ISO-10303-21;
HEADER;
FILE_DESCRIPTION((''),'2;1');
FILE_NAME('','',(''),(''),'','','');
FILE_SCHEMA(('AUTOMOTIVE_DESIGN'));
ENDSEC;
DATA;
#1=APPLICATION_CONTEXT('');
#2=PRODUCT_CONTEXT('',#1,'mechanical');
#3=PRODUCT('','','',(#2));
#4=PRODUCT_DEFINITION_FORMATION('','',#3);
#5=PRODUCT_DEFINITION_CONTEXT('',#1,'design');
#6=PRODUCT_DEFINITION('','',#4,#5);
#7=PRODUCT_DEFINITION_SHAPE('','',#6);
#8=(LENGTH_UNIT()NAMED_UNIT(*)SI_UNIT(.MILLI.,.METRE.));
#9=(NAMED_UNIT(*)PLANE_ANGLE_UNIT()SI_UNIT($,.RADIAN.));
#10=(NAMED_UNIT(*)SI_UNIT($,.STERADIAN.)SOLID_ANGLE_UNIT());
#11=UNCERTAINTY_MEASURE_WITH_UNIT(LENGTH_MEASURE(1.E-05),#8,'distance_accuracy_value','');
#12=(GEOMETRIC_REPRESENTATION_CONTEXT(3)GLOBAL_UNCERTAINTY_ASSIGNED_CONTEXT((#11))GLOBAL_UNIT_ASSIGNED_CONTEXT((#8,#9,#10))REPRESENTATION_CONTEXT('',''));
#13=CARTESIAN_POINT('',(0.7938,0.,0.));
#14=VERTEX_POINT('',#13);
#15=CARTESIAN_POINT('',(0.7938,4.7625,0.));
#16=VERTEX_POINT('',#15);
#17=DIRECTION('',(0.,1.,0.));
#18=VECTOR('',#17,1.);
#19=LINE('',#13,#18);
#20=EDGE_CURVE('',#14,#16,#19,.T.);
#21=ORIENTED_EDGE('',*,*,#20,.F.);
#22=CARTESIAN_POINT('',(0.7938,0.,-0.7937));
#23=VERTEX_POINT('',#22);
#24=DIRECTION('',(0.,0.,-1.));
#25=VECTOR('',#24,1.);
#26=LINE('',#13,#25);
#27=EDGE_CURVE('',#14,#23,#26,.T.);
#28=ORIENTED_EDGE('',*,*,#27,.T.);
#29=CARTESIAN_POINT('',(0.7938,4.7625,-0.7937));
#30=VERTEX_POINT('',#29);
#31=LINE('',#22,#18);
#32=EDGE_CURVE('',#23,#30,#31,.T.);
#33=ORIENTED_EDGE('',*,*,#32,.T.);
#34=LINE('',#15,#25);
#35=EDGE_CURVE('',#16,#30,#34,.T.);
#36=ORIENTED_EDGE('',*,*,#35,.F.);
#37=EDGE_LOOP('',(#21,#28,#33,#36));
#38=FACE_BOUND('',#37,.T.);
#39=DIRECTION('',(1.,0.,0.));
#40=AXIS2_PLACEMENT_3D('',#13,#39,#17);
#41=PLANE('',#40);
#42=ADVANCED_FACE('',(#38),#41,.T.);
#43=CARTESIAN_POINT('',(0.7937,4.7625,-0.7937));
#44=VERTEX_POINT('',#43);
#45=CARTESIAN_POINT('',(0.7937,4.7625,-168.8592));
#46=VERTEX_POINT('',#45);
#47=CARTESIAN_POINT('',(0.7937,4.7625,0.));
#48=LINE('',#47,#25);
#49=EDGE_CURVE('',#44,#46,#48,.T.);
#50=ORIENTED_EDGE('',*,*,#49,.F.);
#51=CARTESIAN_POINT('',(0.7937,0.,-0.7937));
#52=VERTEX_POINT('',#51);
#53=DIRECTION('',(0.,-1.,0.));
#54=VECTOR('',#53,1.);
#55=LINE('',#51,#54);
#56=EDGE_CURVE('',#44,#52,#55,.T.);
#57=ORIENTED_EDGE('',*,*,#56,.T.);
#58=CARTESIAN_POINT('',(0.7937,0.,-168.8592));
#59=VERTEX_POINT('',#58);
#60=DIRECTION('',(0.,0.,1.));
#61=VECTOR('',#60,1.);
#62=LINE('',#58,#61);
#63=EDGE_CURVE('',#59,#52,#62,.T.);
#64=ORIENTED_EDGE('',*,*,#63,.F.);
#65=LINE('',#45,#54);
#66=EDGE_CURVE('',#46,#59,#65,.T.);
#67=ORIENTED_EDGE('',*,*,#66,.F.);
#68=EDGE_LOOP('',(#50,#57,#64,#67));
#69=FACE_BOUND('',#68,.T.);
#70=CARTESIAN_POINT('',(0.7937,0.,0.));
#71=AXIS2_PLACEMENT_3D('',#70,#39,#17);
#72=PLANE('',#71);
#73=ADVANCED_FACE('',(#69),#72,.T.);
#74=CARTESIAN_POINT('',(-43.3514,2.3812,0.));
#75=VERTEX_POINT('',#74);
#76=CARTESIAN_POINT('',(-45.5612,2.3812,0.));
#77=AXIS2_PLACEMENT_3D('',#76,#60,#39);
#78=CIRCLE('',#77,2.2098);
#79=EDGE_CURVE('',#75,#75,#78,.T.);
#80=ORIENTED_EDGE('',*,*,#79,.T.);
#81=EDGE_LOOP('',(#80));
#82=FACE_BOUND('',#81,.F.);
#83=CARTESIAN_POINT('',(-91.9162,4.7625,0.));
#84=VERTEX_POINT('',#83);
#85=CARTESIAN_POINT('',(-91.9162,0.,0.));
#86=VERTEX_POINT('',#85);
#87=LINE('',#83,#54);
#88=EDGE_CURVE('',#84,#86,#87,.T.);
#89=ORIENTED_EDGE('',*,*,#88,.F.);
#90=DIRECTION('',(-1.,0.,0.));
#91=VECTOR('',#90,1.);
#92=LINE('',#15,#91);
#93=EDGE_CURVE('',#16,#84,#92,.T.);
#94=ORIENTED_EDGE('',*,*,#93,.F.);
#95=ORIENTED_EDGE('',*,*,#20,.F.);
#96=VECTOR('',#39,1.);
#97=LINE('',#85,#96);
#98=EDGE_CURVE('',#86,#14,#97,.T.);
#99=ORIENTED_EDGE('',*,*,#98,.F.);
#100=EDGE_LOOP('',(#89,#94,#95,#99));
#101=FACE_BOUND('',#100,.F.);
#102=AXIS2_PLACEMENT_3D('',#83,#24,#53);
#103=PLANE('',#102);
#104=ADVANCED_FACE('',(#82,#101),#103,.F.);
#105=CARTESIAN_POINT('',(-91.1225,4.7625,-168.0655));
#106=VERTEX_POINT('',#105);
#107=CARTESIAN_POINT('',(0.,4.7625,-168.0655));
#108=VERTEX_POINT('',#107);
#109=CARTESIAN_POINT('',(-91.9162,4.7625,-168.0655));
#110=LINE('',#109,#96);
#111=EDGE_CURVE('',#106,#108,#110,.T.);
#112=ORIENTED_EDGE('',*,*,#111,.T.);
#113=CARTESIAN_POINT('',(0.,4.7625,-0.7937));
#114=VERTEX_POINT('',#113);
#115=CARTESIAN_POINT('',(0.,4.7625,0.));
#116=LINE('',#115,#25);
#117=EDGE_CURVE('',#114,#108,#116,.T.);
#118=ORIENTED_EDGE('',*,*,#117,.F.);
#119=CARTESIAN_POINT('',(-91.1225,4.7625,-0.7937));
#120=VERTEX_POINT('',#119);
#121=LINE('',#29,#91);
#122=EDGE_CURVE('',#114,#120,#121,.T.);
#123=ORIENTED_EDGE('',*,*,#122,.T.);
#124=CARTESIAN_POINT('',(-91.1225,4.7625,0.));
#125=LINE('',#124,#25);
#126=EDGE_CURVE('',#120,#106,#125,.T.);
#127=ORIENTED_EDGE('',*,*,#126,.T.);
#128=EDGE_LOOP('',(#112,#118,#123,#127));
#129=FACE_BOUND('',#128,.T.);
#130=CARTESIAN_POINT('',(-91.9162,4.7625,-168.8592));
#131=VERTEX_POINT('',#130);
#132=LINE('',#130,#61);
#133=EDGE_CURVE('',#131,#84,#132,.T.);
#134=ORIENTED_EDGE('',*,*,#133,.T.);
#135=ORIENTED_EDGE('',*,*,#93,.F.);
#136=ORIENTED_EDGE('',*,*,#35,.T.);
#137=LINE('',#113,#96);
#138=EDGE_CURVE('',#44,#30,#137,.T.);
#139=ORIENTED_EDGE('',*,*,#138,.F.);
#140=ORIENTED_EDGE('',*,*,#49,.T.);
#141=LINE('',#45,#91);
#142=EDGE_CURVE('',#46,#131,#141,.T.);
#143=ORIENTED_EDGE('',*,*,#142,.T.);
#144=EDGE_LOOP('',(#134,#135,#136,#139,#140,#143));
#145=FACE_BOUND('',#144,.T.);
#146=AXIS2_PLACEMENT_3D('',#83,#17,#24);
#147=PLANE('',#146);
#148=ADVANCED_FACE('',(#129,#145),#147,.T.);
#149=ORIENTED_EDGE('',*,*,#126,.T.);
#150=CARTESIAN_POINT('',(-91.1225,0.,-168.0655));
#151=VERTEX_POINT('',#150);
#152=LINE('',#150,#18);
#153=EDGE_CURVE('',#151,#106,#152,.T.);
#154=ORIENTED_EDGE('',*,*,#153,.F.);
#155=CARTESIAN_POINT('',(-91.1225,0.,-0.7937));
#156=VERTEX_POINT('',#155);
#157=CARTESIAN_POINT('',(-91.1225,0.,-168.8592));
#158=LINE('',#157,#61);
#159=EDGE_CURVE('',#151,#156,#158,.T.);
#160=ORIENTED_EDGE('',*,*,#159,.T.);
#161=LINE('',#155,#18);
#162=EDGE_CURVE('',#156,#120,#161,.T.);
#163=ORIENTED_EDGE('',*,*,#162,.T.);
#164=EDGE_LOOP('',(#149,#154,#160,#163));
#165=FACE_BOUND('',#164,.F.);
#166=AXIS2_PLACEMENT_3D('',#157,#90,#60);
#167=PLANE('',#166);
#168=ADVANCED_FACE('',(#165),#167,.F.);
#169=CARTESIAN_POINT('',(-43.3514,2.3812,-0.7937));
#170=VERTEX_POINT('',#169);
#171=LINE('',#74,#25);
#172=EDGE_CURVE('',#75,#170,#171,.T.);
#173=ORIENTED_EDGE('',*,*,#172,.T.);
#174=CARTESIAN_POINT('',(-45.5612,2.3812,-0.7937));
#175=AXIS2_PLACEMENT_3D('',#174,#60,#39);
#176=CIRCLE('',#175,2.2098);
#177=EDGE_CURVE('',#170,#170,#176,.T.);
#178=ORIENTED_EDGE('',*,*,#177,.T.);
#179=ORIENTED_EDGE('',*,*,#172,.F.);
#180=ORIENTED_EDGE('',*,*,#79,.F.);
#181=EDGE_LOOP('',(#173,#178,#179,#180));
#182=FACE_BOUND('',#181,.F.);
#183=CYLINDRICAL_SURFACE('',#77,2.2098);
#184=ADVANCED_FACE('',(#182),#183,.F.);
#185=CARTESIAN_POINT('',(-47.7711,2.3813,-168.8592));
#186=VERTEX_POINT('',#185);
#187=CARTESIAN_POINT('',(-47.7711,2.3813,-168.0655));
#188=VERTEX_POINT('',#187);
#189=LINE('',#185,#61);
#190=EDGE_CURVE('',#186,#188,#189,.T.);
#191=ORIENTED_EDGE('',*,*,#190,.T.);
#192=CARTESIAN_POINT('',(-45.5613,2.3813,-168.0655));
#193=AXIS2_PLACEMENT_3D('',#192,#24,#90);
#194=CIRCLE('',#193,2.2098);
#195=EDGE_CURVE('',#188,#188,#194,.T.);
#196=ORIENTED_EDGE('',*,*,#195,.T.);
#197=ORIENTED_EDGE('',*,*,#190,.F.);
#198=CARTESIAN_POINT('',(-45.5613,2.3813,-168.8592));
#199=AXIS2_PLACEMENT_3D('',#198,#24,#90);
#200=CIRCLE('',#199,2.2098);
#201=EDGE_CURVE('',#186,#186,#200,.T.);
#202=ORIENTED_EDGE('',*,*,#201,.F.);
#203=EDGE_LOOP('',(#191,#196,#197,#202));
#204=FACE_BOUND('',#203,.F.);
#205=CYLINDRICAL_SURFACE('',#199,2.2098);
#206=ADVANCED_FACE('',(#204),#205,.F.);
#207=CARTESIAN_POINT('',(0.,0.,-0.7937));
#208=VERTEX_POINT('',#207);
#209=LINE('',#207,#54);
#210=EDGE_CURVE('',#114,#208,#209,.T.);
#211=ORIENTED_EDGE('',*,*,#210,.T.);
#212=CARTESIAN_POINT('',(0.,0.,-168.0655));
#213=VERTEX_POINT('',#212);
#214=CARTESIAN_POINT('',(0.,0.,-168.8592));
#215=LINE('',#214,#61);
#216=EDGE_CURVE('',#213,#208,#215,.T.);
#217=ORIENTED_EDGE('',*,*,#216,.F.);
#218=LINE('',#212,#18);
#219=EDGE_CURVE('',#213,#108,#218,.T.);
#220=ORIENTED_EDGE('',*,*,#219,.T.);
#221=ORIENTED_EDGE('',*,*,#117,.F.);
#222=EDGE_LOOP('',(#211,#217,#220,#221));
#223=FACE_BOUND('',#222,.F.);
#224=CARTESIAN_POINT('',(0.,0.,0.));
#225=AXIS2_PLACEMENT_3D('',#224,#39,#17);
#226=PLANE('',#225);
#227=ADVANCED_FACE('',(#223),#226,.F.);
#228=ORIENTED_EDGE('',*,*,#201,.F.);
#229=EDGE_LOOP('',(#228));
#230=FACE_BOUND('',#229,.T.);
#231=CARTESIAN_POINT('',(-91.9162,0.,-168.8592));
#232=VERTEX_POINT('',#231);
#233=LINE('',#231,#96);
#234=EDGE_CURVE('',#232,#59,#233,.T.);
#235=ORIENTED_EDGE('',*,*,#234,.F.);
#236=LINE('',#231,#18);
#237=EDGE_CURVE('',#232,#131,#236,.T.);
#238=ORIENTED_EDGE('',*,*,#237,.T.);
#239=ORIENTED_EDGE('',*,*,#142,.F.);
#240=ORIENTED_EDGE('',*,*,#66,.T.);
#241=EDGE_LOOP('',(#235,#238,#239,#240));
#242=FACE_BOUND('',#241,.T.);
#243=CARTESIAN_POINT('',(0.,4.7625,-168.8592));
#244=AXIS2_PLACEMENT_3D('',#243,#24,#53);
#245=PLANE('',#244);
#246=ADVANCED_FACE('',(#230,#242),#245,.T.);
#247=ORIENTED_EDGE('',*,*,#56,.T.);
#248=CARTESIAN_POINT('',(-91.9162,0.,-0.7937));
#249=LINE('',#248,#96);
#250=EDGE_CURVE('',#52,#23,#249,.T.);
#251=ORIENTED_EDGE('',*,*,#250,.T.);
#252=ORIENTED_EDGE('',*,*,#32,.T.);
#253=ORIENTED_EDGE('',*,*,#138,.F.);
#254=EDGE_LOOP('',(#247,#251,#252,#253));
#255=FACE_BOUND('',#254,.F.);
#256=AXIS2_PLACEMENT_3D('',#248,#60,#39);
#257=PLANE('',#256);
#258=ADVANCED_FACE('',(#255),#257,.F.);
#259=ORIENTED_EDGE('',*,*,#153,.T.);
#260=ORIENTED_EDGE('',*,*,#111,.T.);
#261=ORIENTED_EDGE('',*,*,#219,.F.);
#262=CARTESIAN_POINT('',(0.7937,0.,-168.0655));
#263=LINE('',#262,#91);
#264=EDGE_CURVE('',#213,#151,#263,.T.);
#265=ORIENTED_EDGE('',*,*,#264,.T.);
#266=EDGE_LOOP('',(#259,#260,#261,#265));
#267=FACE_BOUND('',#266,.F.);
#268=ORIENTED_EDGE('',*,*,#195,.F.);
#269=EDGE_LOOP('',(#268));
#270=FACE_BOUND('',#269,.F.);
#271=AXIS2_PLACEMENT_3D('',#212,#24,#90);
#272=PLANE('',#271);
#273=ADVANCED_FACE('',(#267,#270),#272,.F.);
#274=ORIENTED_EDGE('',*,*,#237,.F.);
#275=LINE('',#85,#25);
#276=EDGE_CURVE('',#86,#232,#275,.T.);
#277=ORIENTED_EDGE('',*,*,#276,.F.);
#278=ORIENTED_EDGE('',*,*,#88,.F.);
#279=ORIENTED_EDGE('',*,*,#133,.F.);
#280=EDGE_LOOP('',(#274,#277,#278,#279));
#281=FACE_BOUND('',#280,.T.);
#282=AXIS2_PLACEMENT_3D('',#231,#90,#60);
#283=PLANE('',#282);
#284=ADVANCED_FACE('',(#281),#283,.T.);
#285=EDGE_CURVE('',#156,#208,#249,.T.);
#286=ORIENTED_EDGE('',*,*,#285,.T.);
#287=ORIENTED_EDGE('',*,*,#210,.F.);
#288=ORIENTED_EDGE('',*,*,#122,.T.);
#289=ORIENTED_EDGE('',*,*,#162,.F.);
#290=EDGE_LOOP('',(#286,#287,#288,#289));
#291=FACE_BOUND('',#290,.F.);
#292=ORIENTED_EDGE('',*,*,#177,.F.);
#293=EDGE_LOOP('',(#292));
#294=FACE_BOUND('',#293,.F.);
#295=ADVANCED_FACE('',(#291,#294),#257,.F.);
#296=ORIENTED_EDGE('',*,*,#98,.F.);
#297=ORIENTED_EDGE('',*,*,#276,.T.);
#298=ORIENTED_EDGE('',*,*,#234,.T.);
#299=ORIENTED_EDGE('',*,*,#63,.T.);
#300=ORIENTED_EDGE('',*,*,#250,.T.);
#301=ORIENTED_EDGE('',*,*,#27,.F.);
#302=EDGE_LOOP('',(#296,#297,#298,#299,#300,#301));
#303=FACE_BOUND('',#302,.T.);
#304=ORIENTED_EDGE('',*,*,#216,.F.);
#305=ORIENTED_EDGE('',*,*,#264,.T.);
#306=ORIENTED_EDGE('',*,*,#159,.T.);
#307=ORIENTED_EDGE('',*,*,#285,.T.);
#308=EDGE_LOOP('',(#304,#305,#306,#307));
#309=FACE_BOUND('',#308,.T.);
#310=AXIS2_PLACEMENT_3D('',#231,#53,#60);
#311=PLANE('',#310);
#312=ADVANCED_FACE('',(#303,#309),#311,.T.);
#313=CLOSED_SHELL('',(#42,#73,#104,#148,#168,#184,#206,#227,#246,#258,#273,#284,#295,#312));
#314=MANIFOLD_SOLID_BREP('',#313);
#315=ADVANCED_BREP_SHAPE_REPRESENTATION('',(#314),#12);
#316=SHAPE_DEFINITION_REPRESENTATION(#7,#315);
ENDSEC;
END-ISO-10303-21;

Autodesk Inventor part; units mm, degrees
ref_plane "YZ Plane" through (0, 0, 0) normal (1, 0, 0) x (0, 1, 0)
ref_plane "XZ Plane" through (0, 0, 0) normal (0, 1, 0) x (-1, 0, 0)
ref_plane "XY Plane" through (0, 0, 0) normal (0, 0, 1) x (1, 0, 0)
sketch "Sketch1" plane through (0, 0, 0) normal (1, 0, 0) x (0, 1, 0)
  line L0 (0, 0) -> (4.7625, 0)
  line L1 (4.7625, 0) -> (4.7625, -168.8592)
  line L2 (4.7625, -168.8592) -> (0, -168.8592)
  line L3 (0, -168.8592) -> (0, 0)
  dimension "d1" = 4.7625
  dimension "d2" = 168.8592
extrude "Extrusion1" add sketch "Sketch1" along normal blind 0.7937
sketch "Sketch2" plane through (0, 0, -168.8592) normal (0, 0, -1) x (-1, 0, 0)
  line L0 (-0.7937, 0) -> (-0.7937, 4.7625) projected
  line L1 (-0.7937, 0) -> (91.9162, 0)
  line L2 (91.9162, 0) -> (91.9162, 4.7625)
  line L3 (91.9162, 4.7625) -> (-0.7937, 4.7625)
  line L4 (-0.7937, 4.7625) -> (-0.7937, 0)
  point P0 (0, 0)
  dimension "d5" = 92.71
  dimension "d6" = 4.7625
extrude "Extrusion2" add sketch "Sketch2" against normal blind 0.7937
sketch "Sketch3" plane through (-91.9162, 0, -168.8592) normal (-1, 0, 0) x (0, 0, 1)
  line L0 (168.8592, 4.7625) -> (168.8592, 0) projected
  line L1 (0, 0) -> (168.8592, 0)
  line L2 (168.8592, 0) -> (168.8592, 4.7625)
  line L3 (168.8592, 4.7625) -> (0, 4.7625)
  line L4 (0, 4.7625) -> (0, 0)
extrude "Extrusion3" add sketch "Sketch3" against normal blind 0.7937
sketch "Sketch4" plane through (-91.9162, 0, 0) normal (0, 0, 1) x (1, 0, 0)
  line L0 (0, 0) -> (0, 4.7625) projected
  line L1 (91.9162, 4.7625) -> (92.71, 4.7625) projected
  line L2 (0, 0) -> (92.71, 0)
  line L3 (92.71, 0) -> (92.71, 4.7625)
  line L4 (92.71, 4.7625) -> (0, 4.7625)
  line L5 (0, 4.7625) -> (0, 0)
  point P0 (91.9162, 0)
extrude "Extrusion4" add sketch "Sketch4" against normal blind 0.7937
sketch "Sketch7" plane through (-36.0362, 0, 0) normal (0, 0, 1) x (1, 0, 0)
  circle A0 centre (-9.525, 2.3812) radius 2.2098
  point P0 (-55.88, 0)
  point P1 (36.83, 0)
extrude "Extrusion5" cut sketch "Sketch7" against normal blind 0.7937
sketch "Sketch6" plane through (0.7937, 0, -168.8592) normal (0, 0, -1) x (-1, 0, 0)
  circle A0 centre (46.355, 2.3813) radius 2.2098
  point P0 (0, 0)
  point P1 (92.71, 0)
extrude "Extrusion6" cut sketch "Sketch6" against normal blind 0.7937
properties part number "Back rubber bands"
